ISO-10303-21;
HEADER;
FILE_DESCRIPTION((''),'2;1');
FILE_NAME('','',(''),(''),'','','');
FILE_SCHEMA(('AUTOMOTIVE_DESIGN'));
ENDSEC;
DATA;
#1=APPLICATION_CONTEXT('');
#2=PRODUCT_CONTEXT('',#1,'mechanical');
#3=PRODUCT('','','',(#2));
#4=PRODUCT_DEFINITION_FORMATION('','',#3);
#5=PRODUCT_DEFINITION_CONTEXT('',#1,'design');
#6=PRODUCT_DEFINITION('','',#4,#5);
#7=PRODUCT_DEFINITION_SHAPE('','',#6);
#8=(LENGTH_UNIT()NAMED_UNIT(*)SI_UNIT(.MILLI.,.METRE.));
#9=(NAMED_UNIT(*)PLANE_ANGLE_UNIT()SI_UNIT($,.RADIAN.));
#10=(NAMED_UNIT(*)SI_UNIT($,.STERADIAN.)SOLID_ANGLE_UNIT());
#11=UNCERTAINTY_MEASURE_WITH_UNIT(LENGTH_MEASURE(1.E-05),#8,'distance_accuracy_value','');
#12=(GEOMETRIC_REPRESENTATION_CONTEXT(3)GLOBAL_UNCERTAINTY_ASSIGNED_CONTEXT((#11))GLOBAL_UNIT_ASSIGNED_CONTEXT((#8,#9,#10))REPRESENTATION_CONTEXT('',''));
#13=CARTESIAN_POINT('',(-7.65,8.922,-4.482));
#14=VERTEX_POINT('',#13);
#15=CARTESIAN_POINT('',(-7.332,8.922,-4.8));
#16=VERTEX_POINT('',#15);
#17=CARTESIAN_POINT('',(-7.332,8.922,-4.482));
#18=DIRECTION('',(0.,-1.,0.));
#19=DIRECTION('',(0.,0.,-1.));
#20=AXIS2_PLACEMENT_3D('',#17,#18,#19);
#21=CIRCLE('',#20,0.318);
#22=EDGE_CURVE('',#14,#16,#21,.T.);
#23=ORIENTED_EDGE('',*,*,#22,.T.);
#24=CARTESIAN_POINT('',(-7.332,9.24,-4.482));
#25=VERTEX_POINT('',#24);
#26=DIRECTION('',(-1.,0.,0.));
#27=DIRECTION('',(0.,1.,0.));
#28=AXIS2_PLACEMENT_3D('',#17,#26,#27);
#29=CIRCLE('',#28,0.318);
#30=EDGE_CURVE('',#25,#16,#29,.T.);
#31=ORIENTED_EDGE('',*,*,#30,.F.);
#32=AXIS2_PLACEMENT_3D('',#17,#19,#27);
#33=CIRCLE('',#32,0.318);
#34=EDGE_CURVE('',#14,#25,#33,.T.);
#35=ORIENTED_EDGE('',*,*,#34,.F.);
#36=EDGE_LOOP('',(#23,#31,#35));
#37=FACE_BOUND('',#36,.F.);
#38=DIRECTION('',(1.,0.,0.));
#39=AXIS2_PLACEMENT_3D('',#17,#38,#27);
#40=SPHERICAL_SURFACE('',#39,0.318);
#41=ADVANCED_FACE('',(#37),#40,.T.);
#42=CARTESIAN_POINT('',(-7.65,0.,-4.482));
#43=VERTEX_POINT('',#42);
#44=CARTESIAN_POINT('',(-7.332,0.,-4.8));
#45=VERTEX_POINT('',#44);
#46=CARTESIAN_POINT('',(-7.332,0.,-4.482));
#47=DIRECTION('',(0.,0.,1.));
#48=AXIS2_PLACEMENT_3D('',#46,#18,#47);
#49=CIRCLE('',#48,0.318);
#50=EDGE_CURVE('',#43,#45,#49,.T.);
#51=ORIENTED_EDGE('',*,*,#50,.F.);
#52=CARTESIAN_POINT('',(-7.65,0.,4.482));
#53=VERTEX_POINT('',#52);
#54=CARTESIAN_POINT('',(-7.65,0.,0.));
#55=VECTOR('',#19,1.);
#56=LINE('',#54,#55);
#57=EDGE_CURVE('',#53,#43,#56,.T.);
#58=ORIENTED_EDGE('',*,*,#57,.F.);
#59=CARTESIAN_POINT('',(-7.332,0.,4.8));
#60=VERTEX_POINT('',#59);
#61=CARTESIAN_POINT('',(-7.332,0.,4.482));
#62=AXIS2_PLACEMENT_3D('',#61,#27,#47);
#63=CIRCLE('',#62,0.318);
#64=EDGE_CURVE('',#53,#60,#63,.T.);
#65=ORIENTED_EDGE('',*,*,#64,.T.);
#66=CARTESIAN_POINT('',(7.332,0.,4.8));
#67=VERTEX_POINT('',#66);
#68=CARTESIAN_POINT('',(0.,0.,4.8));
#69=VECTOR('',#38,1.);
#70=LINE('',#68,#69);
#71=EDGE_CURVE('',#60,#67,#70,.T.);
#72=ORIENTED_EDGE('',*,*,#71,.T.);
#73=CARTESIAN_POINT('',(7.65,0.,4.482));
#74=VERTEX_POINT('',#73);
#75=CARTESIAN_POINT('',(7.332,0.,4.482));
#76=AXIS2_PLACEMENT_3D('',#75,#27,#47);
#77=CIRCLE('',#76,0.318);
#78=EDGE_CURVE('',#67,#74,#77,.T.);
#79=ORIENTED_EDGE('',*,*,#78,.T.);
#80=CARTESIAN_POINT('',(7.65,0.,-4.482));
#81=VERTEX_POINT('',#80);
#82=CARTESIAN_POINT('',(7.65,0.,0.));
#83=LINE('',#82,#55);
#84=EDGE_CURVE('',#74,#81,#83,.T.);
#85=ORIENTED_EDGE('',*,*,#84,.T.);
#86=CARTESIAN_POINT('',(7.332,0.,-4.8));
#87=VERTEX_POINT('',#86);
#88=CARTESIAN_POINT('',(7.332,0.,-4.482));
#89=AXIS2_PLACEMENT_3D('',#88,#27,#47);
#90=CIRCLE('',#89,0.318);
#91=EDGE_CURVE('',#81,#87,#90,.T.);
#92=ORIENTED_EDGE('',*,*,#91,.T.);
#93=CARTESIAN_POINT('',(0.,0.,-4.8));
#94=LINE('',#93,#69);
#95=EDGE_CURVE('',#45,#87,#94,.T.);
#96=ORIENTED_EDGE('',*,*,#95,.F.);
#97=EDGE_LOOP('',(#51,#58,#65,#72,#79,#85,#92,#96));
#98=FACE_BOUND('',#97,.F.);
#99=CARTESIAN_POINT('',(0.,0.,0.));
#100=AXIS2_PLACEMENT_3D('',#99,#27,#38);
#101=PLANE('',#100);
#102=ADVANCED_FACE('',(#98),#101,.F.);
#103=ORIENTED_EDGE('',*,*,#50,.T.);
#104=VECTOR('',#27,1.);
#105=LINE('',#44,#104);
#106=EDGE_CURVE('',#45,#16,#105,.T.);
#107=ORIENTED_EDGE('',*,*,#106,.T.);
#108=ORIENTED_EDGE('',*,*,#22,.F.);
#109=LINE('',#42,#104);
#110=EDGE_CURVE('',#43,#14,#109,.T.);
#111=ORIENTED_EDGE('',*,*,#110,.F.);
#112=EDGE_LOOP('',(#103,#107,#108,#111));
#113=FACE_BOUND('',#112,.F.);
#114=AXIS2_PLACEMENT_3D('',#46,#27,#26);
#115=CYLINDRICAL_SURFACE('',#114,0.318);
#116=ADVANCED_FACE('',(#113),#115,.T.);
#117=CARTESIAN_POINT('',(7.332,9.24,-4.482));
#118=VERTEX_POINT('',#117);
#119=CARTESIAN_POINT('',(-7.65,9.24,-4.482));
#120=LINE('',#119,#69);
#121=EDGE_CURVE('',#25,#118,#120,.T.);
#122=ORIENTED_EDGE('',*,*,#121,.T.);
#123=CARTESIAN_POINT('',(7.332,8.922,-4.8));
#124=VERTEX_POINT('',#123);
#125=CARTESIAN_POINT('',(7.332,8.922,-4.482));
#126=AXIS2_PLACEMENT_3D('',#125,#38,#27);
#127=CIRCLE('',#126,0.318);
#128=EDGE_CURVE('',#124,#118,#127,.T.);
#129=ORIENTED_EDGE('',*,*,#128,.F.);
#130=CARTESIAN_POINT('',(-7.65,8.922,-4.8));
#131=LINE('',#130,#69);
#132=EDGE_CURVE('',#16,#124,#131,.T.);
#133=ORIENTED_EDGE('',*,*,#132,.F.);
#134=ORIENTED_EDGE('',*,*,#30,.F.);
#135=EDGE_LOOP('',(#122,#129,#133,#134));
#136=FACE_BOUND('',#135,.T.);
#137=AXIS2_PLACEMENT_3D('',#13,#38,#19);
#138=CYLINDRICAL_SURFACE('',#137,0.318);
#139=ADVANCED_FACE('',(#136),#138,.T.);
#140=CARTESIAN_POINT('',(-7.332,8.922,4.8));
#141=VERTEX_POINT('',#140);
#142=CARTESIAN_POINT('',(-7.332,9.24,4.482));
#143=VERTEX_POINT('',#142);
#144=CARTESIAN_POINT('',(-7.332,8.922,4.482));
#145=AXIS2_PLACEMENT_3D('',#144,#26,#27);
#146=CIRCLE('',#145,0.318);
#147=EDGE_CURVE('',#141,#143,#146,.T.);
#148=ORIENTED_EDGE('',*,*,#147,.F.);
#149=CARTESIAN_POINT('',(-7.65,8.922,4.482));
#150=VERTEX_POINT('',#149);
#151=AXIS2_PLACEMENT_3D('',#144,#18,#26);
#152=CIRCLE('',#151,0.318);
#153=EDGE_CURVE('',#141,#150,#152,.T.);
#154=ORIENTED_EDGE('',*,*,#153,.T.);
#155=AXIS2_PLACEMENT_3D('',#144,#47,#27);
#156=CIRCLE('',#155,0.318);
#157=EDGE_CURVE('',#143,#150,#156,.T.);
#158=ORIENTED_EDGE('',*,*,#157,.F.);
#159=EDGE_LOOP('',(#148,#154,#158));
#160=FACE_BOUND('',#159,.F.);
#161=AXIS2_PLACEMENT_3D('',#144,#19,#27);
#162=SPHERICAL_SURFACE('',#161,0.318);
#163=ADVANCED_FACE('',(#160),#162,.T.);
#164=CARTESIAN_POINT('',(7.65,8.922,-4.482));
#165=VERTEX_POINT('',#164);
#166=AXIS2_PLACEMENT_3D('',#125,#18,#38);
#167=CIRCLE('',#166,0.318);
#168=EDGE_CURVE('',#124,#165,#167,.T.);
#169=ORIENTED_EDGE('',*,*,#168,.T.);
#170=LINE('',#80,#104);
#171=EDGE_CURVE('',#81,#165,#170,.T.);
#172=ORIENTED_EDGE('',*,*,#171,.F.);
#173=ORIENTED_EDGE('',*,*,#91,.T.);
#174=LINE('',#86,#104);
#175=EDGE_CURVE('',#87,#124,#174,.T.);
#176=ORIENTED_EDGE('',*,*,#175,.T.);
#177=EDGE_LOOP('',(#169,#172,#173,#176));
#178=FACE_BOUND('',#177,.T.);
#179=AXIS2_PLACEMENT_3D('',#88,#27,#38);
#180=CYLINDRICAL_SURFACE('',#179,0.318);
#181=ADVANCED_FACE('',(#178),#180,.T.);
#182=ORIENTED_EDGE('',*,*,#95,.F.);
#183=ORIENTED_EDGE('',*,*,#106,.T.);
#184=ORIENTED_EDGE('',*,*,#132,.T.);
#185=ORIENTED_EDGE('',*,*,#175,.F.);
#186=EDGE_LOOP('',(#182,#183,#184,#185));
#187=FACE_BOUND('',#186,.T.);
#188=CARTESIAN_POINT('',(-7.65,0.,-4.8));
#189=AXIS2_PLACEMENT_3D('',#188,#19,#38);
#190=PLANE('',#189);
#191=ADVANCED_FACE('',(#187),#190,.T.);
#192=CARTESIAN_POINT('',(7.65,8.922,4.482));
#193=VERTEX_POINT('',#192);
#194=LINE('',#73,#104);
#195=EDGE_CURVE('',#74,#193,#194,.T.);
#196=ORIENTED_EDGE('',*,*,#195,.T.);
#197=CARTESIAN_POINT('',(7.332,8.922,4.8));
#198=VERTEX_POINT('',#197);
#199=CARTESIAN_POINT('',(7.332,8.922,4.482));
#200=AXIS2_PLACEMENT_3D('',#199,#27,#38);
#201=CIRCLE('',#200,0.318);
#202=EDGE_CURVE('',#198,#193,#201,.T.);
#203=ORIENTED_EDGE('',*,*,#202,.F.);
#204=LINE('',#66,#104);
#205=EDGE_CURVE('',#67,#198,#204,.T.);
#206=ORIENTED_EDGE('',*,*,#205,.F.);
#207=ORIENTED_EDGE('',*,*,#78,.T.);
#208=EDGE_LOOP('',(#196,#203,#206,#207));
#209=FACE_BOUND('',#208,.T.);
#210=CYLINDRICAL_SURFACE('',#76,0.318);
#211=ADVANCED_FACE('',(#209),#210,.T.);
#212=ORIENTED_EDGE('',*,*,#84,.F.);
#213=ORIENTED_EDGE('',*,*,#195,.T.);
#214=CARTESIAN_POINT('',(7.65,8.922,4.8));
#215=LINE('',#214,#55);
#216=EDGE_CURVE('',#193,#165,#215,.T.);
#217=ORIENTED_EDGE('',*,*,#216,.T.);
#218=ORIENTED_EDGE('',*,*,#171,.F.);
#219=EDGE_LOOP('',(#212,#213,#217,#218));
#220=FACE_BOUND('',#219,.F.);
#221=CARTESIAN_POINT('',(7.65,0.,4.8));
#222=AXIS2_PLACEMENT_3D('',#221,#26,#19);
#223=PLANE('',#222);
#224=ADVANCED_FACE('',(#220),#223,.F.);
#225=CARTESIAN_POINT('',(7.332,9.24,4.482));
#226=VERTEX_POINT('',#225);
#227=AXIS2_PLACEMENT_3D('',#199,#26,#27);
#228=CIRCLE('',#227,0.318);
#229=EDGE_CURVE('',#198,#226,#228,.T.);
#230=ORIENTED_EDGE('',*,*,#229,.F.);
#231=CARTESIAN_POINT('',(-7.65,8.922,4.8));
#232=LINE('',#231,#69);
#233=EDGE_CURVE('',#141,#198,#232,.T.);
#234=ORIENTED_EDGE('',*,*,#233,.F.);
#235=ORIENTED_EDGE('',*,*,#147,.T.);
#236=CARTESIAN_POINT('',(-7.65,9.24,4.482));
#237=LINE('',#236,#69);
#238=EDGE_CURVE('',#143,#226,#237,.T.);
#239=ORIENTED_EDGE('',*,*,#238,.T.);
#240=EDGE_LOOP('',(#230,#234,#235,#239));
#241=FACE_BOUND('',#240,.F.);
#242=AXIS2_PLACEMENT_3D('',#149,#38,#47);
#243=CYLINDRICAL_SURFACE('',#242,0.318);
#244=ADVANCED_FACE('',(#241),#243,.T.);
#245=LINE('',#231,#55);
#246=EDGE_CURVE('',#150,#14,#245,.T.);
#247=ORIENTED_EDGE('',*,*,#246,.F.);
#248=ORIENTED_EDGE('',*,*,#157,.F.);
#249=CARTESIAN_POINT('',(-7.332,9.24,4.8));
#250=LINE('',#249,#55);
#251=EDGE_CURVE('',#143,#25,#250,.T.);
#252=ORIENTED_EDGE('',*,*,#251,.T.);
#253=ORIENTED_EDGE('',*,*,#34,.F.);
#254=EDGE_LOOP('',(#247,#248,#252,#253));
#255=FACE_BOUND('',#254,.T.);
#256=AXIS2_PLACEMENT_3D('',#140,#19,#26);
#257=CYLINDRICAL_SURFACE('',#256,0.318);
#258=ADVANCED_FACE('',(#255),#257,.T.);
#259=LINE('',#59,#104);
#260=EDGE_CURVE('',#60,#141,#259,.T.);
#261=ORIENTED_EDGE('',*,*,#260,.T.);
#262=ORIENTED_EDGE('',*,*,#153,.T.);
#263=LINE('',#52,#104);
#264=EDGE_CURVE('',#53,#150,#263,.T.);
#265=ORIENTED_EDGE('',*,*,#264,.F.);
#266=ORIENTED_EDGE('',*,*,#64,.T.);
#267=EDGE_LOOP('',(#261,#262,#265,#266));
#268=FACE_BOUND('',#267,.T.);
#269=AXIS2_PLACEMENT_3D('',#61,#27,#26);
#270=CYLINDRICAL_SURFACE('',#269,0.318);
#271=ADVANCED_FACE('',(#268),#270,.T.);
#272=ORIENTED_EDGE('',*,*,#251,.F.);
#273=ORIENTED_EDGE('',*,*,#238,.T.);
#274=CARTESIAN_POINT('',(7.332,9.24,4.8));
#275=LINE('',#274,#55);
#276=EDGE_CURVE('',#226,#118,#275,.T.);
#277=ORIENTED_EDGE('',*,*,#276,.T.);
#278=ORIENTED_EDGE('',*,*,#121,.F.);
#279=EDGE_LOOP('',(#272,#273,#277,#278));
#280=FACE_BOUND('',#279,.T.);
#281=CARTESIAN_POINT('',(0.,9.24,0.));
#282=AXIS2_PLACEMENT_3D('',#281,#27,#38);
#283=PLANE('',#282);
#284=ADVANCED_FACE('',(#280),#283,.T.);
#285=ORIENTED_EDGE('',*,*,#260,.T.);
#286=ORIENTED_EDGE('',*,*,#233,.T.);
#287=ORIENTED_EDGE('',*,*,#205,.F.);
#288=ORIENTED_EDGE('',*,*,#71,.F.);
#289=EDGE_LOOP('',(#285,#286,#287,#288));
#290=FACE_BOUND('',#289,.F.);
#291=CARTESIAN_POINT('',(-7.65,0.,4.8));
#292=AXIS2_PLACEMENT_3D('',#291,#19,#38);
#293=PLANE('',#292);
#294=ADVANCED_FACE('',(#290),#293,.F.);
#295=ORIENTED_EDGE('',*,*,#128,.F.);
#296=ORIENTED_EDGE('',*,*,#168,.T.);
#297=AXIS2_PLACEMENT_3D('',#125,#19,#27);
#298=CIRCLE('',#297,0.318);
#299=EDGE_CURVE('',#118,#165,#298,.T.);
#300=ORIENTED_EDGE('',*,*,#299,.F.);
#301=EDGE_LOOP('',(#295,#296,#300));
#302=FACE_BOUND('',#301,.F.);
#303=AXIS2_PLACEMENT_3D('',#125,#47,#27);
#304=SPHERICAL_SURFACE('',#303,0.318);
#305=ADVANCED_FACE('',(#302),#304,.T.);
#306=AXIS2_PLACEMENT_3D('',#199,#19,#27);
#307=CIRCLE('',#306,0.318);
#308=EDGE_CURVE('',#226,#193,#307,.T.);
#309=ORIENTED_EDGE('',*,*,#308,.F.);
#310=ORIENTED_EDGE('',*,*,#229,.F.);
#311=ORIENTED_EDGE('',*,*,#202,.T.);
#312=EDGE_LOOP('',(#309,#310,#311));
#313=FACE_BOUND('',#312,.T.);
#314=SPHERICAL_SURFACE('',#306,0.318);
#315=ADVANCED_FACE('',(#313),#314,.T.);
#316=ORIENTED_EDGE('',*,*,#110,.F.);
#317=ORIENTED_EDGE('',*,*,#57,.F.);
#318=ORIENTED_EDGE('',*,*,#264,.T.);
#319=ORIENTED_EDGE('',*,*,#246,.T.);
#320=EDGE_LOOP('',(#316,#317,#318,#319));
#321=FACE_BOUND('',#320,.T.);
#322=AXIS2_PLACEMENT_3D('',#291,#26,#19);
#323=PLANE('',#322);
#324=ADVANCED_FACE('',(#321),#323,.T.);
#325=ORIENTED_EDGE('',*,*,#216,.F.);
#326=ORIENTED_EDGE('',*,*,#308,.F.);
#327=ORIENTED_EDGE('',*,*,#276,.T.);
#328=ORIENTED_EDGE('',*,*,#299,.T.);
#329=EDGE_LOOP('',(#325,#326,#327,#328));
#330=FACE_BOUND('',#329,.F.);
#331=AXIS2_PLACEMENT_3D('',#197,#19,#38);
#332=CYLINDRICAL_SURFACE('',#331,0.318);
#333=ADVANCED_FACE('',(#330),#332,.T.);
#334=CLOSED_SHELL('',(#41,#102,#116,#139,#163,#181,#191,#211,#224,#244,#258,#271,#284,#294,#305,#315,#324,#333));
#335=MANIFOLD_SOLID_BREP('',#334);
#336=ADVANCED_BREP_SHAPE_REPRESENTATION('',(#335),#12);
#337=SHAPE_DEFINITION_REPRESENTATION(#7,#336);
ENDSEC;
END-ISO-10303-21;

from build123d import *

# Parameters (mm, degrees)
SKETCH1_W           = 15.3
SKETCH1_H           = 9.6
BOSS_EXTRUDE1_DEPTH = 9.24
FILLET1_R           = 0.318


with BuildPart() as part:
    # Sketch1 → Boss-Extrude1 (new body)
    with BuildSketch(Plane(origin=(0, 0, 0), x_dir=(1, 0, 0), z_dir=(0, 1, 0))):
        Rectangle(SKETCH1_W, SKETCH1_H)
    extrude(amount=BOSS_EXTRUDE1_DEPTH)

    # Fillet1
    fillet1_edges = [part.edges().sort_by_distance(p)[0] for p in [
        (7.65, 9.24, 0),
        (0, 9.24, -4.8),
        (-7.65, 9.24, 0),
        (0, 9.24, 4.8),
        (-7.65, 4.62, -4.8),
        (7.65, 4.62, -4.8),
        (7.65, 4.62, 4.8),
        (-7.65, 4.62, 4.8),
    ]]
    fillet(fillet1_edges, radius=FILLET1_R)


solid = part.part
